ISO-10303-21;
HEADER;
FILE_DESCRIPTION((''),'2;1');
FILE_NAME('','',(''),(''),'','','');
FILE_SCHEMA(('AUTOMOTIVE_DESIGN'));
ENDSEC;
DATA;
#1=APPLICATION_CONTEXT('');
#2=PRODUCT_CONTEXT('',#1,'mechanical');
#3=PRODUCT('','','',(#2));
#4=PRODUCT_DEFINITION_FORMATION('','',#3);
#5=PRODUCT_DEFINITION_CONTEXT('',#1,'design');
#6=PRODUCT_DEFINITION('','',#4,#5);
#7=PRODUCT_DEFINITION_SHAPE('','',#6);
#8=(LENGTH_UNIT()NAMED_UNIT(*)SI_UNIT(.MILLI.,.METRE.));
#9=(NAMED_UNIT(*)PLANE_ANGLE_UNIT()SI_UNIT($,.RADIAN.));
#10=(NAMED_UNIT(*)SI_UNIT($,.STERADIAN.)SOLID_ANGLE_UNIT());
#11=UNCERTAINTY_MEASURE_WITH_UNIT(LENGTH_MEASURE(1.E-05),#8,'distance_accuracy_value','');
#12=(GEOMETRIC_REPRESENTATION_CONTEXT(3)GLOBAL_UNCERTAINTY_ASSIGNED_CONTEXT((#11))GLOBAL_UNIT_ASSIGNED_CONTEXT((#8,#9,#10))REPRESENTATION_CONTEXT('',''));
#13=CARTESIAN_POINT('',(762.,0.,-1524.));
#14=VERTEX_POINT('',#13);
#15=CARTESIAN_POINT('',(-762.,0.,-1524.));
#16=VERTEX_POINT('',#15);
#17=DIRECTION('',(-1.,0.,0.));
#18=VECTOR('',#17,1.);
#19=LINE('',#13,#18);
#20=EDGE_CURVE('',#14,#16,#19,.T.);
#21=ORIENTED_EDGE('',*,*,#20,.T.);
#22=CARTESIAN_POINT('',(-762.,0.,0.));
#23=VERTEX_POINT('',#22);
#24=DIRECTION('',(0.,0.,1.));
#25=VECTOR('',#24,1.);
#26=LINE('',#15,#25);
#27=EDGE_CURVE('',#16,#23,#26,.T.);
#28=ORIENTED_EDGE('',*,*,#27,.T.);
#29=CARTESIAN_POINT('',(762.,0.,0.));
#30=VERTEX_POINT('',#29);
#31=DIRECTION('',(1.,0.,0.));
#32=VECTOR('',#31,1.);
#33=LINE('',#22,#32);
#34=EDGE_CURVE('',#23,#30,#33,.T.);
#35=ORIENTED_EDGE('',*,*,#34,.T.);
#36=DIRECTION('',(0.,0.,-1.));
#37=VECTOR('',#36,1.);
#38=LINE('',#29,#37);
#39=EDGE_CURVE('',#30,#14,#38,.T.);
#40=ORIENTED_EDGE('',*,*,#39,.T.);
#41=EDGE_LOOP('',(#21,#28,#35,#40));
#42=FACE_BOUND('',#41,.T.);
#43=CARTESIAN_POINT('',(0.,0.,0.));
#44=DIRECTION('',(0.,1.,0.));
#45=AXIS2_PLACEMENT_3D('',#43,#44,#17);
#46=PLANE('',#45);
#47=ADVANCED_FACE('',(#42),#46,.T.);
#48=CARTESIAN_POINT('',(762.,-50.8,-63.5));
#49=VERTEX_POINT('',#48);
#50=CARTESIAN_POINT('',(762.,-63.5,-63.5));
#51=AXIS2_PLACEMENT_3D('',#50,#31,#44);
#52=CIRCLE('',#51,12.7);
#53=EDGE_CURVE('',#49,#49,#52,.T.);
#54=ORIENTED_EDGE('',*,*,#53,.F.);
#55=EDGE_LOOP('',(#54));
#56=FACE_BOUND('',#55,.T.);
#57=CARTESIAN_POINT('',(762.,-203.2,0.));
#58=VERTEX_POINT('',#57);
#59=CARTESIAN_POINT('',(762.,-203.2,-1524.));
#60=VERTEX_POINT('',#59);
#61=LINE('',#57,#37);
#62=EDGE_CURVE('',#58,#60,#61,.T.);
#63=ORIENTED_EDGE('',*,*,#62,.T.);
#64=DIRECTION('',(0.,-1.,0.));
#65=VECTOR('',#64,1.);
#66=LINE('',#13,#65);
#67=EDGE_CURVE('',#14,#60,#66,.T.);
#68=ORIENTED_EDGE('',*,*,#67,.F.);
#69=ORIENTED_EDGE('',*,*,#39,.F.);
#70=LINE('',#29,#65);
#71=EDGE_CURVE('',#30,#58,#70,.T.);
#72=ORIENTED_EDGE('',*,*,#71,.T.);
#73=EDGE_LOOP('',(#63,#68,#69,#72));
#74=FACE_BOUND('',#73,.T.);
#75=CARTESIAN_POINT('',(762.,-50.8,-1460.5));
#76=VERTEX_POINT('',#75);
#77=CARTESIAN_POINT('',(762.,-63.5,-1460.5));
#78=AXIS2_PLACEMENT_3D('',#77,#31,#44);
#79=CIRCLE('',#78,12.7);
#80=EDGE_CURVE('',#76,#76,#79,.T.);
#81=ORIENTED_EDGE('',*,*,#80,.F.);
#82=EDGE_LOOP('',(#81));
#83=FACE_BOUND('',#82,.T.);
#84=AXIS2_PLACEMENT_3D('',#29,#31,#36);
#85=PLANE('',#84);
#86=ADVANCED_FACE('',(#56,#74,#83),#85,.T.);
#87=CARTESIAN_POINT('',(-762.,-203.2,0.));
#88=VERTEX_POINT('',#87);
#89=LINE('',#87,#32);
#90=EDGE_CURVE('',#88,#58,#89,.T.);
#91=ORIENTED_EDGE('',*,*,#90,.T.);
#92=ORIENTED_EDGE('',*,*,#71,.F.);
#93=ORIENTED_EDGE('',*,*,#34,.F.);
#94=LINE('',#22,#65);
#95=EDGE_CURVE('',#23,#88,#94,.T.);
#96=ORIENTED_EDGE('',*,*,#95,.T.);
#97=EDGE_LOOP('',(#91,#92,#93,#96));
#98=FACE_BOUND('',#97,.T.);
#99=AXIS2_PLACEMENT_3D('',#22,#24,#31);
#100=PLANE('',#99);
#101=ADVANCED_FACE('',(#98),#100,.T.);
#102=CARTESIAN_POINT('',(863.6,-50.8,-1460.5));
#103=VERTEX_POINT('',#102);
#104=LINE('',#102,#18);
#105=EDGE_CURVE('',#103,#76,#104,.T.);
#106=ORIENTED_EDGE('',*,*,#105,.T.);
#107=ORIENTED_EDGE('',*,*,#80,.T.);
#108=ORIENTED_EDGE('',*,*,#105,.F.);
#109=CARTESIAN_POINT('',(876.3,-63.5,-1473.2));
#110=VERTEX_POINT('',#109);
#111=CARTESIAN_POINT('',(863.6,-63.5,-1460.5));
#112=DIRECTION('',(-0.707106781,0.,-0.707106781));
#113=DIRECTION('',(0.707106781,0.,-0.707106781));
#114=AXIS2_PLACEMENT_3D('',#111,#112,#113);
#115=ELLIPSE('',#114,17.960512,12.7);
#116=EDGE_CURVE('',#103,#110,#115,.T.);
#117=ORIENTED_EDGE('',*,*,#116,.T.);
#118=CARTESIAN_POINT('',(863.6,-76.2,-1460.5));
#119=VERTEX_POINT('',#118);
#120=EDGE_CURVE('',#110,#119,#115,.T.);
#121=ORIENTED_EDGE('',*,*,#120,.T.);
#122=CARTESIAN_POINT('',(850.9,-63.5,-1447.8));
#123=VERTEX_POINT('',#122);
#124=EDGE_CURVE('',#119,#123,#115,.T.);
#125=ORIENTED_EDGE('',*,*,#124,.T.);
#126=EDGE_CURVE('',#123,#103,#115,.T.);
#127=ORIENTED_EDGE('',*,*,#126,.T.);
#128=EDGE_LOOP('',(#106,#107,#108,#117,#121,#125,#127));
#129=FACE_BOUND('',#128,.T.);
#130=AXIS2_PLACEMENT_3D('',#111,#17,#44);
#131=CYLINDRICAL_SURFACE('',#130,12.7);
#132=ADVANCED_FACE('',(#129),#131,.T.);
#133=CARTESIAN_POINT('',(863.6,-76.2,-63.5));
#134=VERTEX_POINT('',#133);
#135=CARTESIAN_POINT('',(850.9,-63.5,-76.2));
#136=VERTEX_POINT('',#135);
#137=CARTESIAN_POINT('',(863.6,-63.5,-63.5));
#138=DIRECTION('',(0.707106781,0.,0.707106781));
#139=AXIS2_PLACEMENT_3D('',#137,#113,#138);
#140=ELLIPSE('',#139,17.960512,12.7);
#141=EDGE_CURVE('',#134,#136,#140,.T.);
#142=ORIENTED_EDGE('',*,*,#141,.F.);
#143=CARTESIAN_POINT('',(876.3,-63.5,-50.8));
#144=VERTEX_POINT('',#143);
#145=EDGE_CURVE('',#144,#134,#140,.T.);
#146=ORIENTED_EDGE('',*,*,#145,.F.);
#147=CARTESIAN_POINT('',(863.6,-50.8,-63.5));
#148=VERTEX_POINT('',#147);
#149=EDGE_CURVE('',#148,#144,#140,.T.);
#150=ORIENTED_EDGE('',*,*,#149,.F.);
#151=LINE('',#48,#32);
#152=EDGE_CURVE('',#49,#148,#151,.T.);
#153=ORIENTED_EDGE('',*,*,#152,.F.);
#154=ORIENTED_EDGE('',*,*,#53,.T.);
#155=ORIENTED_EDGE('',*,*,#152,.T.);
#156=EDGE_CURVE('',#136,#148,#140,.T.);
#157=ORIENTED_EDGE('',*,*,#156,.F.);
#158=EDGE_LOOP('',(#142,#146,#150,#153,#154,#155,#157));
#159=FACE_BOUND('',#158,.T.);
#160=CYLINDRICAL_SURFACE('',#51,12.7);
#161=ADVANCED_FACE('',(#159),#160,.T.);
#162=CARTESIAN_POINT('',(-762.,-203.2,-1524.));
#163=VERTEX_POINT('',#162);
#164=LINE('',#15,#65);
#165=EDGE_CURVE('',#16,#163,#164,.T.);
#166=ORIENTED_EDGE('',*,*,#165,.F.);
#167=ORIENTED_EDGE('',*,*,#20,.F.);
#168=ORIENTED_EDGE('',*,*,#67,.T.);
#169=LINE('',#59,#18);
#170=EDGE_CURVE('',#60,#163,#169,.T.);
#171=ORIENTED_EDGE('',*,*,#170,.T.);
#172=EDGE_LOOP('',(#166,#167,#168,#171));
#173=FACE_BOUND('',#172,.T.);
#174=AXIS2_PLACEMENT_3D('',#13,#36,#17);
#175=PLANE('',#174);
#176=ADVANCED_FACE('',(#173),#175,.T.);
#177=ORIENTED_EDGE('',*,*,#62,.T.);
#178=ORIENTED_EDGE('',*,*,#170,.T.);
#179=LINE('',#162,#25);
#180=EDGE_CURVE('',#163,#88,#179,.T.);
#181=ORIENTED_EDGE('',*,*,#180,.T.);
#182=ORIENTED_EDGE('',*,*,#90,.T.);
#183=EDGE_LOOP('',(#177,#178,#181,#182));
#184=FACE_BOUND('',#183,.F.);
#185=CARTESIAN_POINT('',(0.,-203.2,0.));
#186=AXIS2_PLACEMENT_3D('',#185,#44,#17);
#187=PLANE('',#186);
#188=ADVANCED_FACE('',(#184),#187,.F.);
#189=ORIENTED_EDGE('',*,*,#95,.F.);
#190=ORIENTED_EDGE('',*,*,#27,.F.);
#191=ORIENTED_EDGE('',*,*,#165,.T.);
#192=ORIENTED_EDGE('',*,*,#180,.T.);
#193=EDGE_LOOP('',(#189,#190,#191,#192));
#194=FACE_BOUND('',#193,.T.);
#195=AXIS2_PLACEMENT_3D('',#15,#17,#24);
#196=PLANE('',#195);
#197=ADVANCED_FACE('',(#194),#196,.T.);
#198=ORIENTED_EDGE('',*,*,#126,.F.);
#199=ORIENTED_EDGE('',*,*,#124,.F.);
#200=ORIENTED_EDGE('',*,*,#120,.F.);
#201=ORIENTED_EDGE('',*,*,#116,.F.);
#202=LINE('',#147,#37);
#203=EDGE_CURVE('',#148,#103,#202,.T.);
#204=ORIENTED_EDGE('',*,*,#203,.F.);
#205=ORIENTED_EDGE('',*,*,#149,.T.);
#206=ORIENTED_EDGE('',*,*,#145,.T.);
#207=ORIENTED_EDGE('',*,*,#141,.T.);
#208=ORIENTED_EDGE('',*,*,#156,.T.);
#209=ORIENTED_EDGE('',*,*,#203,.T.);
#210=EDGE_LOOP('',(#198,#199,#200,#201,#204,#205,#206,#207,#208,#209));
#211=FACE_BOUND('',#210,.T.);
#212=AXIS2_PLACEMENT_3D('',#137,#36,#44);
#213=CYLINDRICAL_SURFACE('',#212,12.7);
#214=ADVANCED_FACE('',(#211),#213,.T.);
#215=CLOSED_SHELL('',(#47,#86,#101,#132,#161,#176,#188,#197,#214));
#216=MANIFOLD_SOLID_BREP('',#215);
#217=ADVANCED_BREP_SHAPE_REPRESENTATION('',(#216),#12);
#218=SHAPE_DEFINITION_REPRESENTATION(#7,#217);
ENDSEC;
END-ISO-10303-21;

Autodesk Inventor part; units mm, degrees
ref_plane "PLANE IN" through (0, 0, 0) normal (0, 0, 1) x (1, 0, 0)
ref_plane "PLANE OUT" through (0, 0, -1524) normal (0, 0, 1) x (1, 0, 0)
ref_plane "PLANE CTR" through (0, 0, 0) normal (1, 0, 0) x (0, 1, 0)
ref_plane "PLANE RH" through (762, 0, 0) normal (1, 0, 0) x (0, 1, 0)
ref_plane "PLANE LH" through (-762, 0, 0) normal (1, 0, 0) x (0, 1, 0)
ref_plane "PLANE TOP" through (0, 0, 0) normal (0, 1, 0) x (-1, 0, 0)
ref_plane "PLANE BOT" through (0, -203.2, 0) normal (0, 1, 0) x (-1, 0, 0)
ref_plane "PLANE HANDLE RH" through (863.6, 0, 0) normal (1, 0, 0) x (0, 1, 0)
ref_plane "PLANE HANDLE LH" through (-863.6, 0, 0) normal (1, 0, 0) x (0, 1, 0)
ref_plane "PLANE HANDLE IN" through (0, 0, -63.5) normal (0, 0, 1) x (1, 0, 0)
ref_plane "PLANE HANDLE OUT" through (0, 0, -1460.5) normal (0, 0, 1) x (1, 0, 0)
ref_plane "PLANE HANDLE TOP" through (0, -63.5, 0) normal (0, 1, 0) x (-1, 0, 0)
sketch "SKETCH BODY" plane through (0, 0, 0) normal (0, 1, 0) x (-1, 0, 0)
  line L0 (762, 0) -> (-762, 0)
  line L1 (-762, 0) -> (-762, -1524)
  line L2 (-762, -1524) -> (762, -1524)
  line L3 (762, -1524) -> (762, 0)
  line L4 (-1066.8, 0) -> (1066.8, 0) projected
  line L5 (-1066.8, -1524) -> (1066.8, -1524) projected
  line L6 (-762, -1828.8) -> (-762, 304.8) projected
  line L7 (762, -1828.8) -> (762, 304.8) projected
extrude "EXT BODY" add sketch "SKETCH BODY" against normal blind 203.2
sketch "SKETCH HANDLE DIA" plane through (762, 0, 0) normal (1, 0, 0) x (0, 1, 0)
  circle A0 centre (-63.5, -63.5) radius 12.7
  line L0 (-63.5, -58.42) -> (-63.5, -93.98) projected
  line L1 (-81.28, -63.5) -> (-45.72, -63.5) projected
  dimension "d14" = 25.4
sketch "SKETCH HANDLE PATH" plane through (0, -63.5, 0) normal (0, 1, 0) x (-1, 0, 0)
  line L0 (-863.6, -1722.12) -> (-863.6, 198.12) projected
  line L1 (-853.44, -63.5) -> (-746.76, -63.5) projected
  line L2 (-853.44, -1460.5) -> (-746.76, -1460.5) projected
  line L3 (-762, -63.5) -> (-863.6, -63.5)
  line L4 (-863.6, -63.5) -> (-863.6, -1460.5)
  line L5 (-863.6, -1460.5) -> (-762, -1460.5)
  line L6 (-762, -1460.5) -> (-762, -63.5) construction
  line L7 (-762, -1722.12) -> (-762, 198.12) projected
sweep "SWP HANDLE" add profiles "SKETCH HANDLE DIA" path "SKETCH HANDLE PATH" path curves L3 L4 L5
mirror "MIR HANDLE" [suppressed]
equation "\"d12\" = HEIGHT"
equation "\"d1\" = -LENGTH"
equation "\"d2\" = 0.5 * WIDTH"
equation "\"d3\" = -0.5 * WIDTH"
equation "\"d6\" = -HEIGHT"
equation "\"d7\" = HANDLE_OFFSET_CTR"
equation "\"d8\" = -HANDLE_OFFSET_CTR"
equation "\"d9\" = -HANDLE_OFFSET_END"
equation "\"d10\" = -LENGTH + HANDLE_OFFSET_END"
equation "\"d11\" = -HANDLE_OFFSET_TOP"
equation "\"LENGTH\" = 1524"
equation "\"WIDTH\" = 1524"
equation "\"HEIGHT\" = 203.2"
equation "\"HANDLE_GAP\" = 101.6"
equation "\"HANDLE_OFFSET_CTR\" = 0.5 * WIDTH + HANDLE_GAP"
equation "\"HANDLE_OFFSET_END\" = 63.5"
equation "\"HANDLE_OFFSET_TOP\" = 63.5"
properties part number "KVA Part Automation"
